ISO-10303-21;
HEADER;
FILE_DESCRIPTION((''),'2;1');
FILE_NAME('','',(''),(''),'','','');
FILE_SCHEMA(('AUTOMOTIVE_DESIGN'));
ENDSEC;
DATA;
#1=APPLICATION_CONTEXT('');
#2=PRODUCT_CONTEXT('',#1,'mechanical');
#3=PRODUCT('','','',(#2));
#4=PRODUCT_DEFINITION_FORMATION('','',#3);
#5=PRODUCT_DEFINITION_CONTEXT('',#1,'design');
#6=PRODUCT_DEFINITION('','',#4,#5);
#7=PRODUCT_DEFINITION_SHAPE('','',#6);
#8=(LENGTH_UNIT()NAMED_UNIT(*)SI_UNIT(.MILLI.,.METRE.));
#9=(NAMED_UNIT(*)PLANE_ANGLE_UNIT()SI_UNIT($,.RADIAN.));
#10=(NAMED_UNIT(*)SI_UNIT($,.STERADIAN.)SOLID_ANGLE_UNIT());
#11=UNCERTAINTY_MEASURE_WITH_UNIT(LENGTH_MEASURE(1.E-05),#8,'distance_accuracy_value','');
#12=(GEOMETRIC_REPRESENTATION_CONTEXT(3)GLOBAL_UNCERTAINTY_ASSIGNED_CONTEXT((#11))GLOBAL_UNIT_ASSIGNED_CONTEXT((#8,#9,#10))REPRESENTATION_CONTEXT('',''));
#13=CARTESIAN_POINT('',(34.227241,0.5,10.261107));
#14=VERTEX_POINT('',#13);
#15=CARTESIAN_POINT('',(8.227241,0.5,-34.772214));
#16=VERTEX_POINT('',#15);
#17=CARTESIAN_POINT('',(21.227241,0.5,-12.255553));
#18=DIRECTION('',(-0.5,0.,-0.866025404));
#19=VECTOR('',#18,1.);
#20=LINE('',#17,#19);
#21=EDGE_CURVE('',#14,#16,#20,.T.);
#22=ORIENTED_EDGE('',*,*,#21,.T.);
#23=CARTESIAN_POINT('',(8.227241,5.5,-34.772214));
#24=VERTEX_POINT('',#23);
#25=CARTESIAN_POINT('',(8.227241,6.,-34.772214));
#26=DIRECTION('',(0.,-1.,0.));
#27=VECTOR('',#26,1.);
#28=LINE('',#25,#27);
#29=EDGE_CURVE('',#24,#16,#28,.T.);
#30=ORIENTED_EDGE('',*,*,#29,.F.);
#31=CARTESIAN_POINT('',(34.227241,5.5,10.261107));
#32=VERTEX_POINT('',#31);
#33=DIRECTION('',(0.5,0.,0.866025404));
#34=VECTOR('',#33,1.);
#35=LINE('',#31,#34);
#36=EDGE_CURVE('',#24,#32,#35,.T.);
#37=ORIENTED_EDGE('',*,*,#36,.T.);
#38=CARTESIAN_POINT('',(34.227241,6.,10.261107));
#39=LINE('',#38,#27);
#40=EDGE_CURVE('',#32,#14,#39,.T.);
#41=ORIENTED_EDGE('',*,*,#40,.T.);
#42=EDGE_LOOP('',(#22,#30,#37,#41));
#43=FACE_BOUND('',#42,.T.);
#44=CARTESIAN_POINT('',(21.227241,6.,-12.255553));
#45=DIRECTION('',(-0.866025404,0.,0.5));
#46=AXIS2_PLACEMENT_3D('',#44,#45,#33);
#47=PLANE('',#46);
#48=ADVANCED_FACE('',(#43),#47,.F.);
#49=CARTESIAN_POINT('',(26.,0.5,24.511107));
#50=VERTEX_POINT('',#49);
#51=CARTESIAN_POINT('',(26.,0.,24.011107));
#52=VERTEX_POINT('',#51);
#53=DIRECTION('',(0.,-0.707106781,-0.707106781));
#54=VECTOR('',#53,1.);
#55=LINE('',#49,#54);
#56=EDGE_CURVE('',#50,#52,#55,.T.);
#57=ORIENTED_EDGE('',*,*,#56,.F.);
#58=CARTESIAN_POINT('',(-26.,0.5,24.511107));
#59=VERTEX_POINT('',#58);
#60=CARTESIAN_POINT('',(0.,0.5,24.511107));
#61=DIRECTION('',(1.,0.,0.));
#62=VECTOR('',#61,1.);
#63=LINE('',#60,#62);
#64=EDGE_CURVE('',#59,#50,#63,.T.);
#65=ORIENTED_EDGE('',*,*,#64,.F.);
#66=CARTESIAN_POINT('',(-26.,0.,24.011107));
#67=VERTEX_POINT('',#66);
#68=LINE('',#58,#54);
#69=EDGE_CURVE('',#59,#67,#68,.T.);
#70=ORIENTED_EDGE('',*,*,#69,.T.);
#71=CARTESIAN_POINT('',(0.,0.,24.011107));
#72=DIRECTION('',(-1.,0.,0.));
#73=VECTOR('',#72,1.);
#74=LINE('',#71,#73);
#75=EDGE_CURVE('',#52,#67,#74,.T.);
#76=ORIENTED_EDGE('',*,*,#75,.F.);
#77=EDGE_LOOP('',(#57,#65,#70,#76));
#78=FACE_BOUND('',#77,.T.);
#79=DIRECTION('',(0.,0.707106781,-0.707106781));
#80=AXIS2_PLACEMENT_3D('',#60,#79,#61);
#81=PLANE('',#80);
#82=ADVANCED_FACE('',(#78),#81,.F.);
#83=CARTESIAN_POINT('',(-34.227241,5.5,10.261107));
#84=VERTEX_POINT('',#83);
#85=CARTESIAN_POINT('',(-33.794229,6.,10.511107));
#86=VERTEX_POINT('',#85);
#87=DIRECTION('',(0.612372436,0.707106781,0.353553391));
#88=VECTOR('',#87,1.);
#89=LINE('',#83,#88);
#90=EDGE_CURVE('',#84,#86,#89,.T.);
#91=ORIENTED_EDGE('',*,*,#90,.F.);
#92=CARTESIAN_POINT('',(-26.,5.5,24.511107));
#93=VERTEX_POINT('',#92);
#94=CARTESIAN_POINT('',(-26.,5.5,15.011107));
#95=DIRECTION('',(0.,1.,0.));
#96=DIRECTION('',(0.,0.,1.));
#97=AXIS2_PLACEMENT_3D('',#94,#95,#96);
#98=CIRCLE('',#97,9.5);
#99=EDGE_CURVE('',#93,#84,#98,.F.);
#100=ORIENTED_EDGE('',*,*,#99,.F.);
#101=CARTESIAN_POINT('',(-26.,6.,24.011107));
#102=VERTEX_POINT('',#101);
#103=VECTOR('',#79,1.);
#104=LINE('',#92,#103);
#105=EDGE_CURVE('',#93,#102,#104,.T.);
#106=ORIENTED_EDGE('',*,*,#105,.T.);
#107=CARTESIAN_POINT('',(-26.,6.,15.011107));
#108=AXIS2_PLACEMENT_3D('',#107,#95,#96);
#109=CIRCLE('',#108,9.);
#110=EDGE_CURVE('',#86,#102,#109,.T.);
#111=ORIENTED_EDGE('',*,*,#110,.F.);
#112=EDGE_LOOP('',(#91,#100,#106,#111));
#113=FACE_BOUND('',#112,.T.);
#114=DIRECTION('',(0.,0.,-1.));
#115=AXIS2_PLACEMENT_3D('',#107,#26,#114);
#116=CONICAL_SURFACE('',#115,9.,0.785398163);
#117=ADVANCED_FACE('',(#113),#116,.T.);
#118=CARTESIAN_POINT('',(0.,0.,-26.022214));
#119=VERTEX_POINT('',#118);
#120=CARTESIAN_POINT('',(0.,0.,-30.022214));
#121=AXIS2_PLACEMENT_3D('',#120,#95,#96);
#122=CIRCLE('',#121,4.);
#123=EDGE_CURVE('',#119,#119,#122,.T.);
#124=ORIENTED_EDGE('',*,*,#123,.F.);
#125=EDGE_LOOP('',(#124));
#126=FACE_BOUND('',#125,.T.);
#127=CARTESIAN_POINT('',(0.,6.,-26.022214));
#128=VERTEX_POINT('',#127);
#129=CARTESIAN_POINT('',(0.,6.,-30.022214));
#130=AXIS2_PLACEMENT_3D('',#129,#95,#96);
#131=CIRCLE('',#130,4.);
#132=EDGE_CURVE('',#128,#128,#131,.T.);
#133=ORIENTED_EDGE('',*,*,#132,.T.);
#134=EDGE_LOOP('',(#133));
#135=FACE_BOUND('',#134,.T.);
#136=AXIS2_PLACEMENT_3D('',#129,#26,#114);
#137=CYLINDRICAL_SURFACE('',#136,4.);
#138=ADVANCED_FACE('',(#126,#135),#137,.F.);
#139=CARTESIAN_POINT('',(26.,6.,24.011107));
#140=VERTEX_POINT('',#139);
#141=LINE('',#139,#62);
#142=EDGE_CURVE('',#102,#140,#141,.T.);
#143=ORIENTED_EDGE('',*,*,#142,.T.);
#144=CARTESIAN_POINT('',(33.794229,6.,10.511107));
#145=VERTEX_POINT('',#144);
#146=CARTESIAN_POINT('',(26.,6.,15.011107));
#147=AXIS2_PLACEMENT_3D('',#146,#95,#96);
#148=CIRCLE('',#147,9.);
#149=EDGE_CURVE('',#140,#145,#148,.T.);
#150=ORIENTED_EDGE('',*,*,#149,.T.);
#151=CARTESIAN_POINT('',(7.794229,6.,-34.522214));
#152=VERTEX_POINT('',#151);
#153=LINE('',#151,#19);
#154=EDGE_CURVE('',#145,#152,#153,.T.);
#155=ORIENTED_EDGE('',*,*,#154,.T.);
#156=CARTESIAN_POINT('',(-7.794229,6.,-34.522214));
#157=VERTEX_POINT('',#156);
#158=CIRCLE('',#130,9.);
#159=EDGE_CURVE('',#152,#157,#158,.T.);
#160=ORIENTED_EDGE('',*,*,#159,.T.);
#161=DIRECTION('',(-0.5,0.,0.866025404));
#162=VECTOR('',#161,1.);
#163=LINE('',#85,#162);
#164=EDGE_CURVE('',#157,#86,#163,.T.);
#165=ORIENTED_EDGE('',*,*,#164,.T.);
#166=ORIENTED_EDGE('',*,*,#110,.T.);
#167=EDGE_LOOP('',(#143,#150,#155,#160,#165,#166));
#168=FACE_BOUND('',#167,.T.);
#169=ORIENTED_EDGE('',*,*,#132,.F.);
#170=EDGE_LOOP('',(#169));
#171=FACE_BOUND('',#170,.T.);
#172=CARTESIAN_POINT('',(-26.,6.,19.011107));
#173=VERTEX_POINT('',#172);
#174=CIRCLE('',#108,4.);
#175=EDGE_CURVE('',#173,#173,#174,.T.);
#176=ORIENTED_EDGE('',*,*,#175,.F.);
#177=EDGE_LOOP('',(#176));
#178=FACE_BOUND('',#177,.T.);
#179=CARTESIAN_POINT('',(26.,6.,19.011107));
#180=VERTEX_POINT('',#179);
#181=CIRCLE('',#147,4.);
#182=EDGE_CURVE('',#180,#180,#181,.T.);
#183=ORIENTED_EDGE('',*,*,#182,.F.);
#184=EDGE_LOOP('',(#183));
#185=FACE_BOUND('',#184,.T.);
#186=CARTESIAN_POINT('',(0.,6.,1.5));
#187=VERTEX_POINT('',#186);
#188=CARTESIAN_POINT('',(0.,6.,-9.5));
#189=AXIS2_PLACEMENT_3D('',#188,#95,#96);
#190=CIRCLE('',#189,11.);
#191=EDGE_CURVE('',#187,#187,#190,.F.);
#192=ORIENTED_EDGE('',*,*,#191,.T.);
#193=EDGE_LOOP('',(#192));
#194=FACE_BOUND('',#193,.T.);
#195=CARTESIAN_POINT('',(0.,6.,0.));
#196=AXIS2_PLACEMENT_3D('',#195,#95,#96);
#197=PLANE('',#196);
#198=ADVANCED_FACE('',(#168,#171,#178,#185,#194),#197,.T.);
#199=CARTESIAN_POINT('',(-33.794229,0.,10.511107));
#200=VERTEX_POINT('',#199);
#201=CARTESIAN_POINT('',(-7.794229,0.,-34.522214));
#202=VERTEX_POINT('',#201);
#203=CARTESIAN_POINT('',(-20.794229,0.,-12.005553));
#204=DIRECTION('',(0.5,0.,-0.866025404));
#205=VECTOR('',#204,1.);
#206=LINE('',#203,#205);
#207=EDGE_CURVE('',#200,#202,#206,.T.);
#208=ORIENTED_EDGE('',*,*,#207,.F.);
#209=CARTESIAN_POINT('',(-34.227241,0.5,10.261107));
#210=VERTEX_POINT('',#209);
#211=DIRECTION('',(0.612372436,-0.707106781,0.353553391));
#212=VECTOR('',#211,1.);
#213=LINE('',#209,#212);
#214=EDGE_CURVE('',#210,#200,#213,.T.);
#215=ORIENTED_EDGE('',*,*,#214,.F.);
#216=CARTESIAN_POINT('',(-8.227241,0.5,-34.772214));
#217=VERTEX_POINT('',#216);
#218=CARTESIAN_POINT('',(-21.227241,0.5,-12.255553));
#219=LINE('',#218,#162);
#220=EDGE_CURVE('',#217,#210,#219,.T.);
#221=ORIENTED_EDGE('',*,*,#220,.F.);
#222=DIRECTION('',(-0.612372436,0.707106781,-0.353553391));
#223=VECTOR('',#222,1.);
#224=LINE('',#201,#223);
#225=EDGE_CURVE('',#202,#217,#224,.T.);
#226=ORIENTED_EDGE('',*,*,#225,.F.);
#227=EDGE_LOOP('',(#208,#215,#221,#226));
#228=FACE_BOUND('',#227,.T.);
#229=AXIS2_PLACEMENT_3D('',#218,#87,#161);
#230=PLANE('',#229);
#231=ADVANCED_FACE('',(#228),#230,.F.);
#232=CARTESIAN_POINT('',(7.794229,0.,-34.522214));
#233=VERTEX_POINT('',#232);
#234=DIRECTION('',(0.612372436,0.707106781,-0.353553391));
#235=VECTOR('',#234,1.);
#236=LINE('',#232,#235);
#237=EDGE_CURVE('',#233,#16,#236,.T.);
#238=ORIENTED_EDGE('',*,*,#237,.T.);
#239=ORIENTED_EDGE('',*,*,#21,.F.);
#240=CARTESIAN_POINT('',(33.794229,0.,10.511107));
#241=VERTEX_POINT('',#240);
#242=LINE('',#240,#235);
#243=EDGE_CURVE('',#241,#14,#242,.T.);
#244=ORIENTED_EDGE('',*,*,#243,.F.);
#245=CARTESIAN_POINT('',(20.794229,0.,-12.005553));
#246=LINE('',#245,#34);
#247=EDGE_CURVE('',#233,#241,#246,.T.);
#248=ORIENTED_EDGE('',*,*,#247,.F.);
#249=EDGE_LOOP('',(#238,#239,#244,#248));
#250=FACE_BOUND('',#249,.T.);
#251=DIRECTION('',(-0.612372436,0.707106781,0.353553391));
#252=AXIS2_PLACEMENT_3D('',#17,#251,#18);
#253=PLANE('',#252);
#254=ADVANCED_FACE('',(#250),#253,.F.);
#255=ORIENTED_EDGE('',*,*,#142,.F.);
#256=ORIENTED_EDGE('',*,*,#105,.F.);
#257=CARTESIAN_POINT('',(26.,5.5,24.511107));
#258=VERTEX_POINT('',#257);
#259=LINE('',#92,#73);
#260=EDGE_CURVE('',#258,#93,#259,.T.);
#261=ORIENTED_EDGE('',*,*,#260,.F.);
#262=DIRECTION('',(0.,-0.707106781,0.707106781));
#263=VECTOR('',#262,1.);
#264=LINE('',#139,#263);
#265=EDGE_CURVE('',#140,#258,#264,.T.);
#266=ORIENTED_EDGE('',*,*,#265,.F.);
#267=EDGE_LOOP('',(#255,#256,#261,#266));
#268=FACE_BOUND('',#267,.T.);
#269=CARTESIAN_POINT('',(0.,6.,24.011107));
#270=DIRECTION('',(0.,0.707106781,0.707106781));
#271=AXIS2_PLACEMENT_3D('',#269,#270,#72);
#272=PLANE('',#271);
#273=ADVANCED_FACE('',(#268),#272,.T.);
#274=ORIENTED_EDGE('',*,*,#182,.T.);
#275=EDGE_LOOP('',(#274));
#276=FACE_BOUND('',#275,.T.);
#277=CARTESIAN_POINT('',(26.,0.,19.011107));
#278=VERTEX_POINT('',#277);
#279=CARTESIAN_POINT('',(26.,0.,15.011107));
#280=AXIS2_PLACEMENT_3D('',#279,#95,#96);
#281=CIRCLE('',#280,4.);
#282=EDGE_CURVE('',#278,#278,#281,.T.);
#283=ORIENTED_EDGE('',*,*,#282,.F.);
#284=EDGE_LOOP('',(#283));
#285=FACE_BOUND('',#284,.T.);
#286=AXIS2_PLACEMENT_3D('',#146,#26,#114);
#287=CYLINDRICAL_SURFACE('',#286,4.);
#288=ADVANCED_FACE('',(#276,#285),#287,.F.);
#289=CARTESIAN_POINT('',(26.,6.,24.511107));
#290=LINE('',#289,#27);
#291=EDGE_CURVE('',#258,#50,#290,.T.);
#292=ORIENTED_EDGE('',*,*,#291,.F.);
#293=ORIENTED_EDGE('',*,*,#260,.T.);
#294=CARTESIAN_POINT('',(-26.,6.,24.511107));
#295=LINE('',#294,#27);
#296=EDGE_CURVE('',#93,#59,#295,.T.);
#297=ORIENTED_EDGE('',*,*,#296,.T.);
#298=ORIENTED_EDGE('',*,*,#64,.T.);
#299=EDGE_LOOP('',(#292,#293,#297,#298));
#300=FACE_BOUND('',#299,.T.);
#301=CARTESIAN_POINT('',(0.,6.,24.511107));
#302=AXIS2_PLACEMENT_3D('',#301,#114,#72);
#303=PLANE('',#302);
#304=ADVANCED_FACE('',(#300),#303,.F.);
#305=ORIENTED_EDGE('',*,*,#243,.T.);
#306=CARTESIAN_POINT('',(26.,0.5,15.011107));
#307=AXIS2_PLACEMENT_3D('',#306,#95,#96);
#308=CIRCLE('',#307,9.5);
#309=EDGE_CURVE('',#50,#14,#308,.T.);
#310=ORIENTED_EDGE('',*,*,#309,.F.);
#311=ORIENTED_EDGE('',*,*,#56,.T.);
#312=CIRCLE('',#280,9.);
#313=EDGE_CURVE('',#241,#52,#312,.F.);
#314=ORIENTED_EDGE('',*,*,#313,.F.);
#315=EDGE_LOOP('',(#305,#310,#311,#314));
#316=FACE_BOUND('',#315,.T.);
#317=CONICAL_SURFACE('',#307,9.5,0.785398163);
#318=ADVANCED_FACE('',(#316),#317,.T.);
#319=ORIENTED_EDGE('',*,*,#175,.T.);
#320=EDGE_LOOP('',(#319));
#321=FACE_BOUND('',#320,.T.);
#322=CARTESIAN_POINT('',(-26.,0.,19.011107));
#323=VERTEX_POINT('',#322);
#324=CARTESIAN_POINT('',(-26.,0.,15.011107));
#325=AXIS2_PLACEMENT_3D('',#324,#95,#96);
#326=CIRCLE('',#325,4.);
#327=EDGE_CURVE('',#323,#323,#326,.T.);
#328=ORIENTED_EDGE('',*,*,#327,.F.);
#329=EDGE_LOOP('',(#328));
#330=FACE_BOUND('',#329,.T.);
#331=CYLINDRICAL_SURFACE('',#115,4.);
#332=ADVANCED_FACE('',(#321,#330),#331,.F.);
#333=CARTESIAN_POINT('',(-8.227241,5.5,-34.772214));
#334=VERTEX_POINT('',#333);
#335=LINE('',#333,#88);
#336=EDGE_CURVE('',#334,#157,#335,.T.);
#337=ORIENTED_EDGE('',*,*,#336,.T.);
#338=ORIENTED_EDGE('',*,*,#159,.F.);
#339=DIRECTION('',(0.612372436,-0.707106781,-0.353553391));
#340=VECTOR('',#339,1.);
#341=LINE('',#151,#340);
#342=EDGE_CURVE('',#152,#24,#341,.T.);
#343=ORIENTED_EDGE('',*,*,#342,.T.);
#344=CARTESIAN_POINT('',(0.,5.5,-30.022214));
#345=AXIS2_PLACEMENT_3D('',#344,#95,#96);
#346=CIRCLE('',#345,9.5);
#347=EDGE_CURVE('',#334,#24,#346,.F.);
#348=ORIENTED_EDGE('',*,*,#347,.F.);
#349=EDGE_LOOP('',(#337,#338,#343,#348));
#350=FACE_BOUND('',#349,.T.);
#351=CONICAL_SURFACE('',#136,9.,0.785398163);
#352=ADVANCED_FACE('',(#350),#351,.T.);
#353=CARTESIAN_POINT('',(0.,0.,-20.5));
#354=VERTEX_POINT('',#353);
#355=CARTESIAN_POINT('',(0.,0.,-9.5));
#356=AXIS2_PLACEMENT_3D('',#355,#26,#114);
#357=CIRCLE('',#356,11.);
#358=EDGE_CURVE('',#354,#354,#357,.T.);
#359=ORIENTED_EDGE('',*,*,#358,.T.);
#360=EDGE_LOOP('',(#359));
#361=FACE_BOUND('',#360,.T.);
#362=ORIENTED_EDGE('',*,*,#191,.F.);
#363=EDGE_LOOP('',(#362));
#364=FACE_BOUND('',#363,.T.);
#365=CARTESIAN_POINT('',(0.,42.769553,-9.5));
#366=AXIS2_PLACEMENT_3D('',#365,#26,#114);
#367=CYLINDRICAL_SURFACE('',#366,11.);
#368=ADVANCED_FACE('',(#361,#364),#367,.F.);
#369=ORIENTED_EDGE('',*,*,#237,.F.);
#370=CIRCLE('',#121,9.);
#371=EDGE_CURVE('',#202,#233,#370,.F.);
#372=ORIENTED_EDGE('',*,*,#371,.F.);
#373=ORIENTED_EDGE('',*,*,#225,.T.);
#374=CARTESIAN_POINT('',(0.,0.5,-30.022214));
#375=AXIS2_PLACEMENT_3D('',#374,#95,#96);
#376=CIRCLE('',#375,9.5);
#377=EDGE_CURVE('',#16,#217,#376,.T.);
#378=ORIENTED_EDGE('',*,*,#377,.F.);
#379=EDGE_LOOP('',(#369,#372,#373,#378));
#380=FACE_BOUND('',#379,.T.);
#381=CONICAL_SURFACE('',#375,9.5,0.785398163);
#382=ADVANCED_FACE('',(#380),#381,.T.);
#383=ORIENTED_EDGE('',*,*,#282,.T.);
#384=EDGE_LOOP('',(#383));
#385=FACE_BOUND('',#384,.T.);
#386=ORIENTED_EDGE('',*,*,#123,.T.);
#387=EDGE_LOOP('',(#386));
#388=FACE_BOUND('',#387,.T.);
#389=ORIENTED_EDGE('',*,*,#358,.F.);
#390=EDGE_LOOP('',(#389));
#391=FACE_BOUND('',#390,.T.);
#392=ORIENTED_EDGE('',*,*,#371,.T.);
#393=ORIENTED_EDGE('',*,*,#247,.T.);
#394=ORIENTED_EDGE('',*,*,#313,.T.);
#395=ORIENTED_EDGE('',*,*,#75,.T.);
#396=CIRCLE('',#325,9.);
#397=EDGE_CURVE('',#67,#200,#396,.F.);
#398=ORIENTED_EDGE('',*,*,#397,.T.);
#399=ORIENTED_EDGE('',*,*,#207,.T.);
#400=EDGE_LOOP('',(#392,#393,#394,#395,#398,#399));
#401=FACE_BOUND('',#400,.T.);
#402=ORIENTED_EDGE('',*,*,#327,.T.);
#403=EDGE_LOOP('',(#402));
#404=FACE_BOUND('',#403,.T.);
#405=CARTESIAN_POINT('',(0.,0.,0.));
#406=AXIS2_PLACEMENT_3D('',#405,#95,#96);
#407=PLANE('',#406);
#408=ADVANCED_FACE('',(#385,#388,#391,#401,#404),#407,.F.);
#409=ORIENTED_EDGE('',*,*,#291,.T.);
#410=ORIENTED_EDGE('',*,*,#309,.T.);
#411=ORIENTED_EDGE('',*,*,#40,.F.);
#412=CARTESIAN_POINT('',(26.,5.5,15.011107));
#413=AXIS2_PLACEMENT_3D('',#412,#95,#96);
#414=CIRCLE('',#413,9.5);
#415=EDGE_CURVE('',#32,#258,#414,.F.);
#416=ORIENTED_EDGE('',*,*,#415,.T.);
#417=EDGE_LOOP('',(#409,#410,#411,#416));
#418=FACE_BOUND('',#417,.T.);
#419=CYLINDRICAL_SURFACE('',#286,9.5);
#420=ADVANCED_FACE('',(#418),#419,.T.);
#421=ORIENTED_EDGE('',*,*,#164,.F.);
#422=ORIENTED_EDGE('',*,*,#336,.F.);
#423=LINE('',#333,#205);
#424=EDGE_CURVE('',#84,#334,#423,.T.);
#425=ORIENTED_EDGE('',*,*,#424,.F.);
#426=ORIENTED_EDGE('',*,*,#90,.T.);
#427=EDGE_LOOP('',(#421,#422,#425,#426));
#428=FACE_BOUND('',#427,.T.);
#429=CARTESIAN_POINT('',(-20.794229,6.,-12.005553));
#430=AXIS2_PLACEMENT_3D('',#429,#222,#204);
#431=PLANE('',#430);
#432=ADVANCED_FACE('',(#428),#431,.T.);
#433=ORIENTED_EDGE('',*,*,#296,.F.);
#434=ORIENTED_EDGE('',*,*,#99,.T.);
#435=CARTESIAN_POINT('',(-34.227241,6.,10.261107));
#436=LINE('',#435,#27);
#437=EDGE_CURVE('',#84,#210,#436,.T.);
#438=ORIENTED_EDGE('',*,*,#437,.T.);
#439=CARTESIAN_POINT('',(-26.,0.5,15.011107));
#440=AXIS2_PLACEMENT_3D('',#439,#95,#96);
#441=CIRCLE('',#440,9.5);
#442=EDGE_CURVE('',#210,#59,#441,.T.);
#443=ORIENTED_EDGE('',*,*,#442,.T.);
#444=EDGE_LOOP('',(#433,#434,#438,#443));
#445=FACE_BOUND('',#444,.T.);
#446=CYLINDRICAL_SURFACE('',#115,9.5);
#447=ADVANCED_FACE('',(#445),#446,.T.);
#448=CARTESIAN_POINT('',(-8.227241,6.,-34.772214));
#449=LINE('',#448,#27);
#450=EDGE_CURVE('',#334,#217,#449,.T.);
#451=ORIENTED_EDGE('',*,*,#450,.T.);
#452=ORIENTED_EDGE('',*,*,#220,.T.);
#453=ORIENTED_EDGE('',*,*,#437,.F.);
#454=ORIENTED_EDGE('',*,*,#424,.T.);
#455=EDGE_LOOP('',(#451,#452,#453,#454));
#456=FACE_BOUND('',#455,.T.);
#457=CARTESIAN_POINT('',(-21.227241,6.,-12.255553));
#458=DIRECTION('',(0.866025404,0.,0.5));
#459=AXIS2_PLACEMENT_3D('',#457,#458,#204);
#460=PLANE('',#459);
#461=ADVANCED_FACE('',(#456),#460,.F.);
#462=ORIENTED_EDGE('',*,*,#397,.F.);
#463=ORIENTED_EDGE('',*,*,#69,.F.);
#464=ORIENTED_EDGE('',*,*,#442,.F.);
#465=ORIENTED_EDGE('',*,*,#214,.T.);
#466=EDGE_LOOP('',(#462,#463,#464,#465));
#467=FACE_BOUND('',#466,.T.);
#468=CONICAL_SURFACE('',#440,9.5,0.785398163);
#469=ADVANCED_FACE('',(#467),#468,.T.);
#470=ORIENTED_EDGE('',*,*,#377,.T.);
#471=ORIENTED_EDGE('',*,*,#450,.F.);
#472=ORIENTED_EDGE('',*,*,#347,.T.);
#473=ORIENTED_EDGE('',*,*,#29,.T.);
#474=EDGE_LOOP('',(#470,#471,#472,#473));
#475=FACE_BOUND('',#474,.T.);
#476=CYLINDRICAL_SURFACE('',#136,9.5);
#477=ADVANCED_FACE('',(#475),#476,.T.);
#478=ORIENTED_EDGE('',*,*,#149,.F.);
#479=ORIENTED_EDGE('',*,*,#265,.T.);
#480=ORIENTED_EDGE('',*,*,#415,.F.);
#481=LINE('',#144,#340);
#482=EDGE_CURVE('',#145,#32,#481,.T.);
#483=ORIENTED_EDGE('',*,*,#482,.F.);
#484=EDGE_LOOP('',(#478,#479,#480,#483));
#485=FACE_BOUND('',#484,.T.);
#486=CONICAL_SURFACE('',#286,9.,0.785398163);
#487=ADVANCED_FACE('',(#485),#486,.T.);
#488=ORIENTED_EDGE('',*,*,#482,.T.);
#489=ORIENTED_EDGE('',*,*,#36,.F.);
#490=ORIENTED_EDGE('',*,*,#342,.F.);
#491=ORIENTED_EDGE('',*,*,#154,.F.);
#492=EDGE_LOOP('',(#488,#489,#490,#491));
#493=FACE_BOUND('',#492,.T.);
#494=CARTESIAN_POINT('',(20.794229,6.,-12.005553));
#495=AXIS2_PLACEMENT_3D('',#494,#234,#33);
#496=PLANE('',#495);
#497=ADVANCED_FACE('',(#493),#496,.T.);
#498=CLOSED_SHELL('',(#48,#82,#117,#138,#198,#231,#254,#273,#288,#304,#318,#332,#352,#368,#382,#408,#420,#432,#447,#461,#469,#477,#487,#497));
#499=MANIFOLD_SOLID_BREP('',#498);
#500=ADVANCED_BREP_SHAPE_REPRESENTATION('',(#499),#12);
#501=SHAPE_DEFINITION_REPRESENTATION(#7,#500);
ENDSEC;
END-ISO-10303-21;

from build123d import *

# Parameters (mm, degrees)
SKETCH_1_R          = 9.5
SKETCH_1_R_2        = 4
EXTRUDE_1_DEPTH     = 6
CHAMFER_1_SIZE      = 0.5
CUT_EXTRUDE_1_REACH = 8
SKETCH_3_R          = 15
SKETCH_4_R          = 15
SKETCH_4_R_2        = 13
EXTRUDE_2_DEPTH     = 6
SKETCH_5_R          = 13
SKETCH_5_R_2        = 11
EXTRUDE_3_DEPTH     = 6


with BuildPart() as part:
    # ｽｹｯﾁ1 → ﾎﾞｽ - 押し出し1 (new body)
    with BuildSketch(Plane(origin=(0, 0, 0), x_dir=(1, 0, 0), z_dir=(0, 1, 0))):
        with BuildLine():
            ThreePointArc((9.5, 30.022213998), (-2.458780928, 20.845918648), (-8.227241336, 34.772213998))
            Line((-8.227241336, 34.772213998), (-34.227241336, -10.261106999))
            ThreePointArc((-34.227241336, -10.261106999), (-23.541219072, -5.834811649), (-16.5, -15.011106999))
            ThreePointArc((-16.5, -15.011106999), (-19.282485579, -21.72862142), (-26, -24.511106999))
            Line((-26, -24.511106999), (26, -24.511106999))
            ThreePointArc((26, -24.511106999), (17.772758664, -10.261106999), (34.227241336, -10.261106999))
            Line((34.227241336, -10.261106999), (8.227241336, 34.772213998))
            ThreePointArc((8.227241336, 34.772213998), (9.17629535, 32.480994926), (9.5, 30.022213998))
        make_face()
        with Locations((-26, -15.011106999)):
            Circle(SKETCH_1_R)
        with Locations((-26, -15.011106999)):
            Circle(SKETCH_1_R_2, mode=Mode.SUBTRACT)
        with Locations((26, -15.011106999)):
            Circle(SKETCH_1_R)
        with Locations((26, -15.011106999)):
            Circle(SKETCH_1_R_2, mode=Mode.SUBTRACT)
        with Locations((0, 30.022213998)):
            Circle(SKETCH_1_R)
        with Locations((0, 30.022213998)):
            Circle(SKETCH_1_R_2, mode=Mode.SUBTRACT)
    extrude(amount=EXTRUDE_1_DEPTH)

    # 面取り1
    chamfer_1_edges = [part.edges().sort_by_distance(p)[0] for p in [
        (-34.227241336, 6, 19.761106999),
        (0, 0, -39.522213998),
        (21.227241336, 0, -12.255553499),
        (34.227241336, 0, 19.761106999),
        (0, 0, 24.511106999),
        (-34.227241336, 0, 19.761106999),
        (-21.227241336, 0, -12.255553499),
        (0, 6, 24.511106999),
        (34.227241336, 6, 19.761106999),
        (21.227241336, 6, -12.255553499),
        (0, 6, -39.522213998),
        (-21.227241336, 6, -12.255553499),
    ]]
    chamfer(chamfer_1_edges, length=CHAMFER_1_SIZE)

    # ｽｹｯﾁ3 → ｶｯﾄ - 押し出し1 (cut, up to next)
    with BuildSketch(Plane.XZ, mode=Mode.PRIVATE) as cut_extrude_1_sk1:
        with Locations((0, -9.5)):
            Circle(SKETCH_3_R)
    cut_extrude_1_tool1 = extrude(cut_extrude_1_sk1.sketch, amount=-CUT_EXTRUDE_1_REACH, mode=Mode.PRIVATE) & part.part
    add(cut_extrude_1_tool1.solids().sort_by_distance((0, 0, -9.5))[0], mode=Mode.SUBTRACT)

    # ｽｹｯﾁ4 → ﾎﾞｽ - 押し出し2 (add)
    with BuildSketch(Plane.XZ):
        with Locations((0, -9.5)):
            Circle(SKETCH_4_R)
        with Locations((0, -9.5)):
            Circle(SKETCH_4_R_2, mode=Mode.SUBTRACT)
    extrude(amount=-EXTRUDE_2_DEPTH)

    # ｽｹｯﾁ5 → ﾎﾞｽ - 押し出し3 (add)
    with BuildSketch(Plane.XZ):
        with Locations((0, -9.5)):
            Circle(SKETCH_5_R)
        with Locations((0, -9.5)):
            Circle(SKETCH_5_R_2, mode=Mode.SUBTRACT)
    extrude(amount=-EXTRUDE_3_DEPTH)


solid = part.part
